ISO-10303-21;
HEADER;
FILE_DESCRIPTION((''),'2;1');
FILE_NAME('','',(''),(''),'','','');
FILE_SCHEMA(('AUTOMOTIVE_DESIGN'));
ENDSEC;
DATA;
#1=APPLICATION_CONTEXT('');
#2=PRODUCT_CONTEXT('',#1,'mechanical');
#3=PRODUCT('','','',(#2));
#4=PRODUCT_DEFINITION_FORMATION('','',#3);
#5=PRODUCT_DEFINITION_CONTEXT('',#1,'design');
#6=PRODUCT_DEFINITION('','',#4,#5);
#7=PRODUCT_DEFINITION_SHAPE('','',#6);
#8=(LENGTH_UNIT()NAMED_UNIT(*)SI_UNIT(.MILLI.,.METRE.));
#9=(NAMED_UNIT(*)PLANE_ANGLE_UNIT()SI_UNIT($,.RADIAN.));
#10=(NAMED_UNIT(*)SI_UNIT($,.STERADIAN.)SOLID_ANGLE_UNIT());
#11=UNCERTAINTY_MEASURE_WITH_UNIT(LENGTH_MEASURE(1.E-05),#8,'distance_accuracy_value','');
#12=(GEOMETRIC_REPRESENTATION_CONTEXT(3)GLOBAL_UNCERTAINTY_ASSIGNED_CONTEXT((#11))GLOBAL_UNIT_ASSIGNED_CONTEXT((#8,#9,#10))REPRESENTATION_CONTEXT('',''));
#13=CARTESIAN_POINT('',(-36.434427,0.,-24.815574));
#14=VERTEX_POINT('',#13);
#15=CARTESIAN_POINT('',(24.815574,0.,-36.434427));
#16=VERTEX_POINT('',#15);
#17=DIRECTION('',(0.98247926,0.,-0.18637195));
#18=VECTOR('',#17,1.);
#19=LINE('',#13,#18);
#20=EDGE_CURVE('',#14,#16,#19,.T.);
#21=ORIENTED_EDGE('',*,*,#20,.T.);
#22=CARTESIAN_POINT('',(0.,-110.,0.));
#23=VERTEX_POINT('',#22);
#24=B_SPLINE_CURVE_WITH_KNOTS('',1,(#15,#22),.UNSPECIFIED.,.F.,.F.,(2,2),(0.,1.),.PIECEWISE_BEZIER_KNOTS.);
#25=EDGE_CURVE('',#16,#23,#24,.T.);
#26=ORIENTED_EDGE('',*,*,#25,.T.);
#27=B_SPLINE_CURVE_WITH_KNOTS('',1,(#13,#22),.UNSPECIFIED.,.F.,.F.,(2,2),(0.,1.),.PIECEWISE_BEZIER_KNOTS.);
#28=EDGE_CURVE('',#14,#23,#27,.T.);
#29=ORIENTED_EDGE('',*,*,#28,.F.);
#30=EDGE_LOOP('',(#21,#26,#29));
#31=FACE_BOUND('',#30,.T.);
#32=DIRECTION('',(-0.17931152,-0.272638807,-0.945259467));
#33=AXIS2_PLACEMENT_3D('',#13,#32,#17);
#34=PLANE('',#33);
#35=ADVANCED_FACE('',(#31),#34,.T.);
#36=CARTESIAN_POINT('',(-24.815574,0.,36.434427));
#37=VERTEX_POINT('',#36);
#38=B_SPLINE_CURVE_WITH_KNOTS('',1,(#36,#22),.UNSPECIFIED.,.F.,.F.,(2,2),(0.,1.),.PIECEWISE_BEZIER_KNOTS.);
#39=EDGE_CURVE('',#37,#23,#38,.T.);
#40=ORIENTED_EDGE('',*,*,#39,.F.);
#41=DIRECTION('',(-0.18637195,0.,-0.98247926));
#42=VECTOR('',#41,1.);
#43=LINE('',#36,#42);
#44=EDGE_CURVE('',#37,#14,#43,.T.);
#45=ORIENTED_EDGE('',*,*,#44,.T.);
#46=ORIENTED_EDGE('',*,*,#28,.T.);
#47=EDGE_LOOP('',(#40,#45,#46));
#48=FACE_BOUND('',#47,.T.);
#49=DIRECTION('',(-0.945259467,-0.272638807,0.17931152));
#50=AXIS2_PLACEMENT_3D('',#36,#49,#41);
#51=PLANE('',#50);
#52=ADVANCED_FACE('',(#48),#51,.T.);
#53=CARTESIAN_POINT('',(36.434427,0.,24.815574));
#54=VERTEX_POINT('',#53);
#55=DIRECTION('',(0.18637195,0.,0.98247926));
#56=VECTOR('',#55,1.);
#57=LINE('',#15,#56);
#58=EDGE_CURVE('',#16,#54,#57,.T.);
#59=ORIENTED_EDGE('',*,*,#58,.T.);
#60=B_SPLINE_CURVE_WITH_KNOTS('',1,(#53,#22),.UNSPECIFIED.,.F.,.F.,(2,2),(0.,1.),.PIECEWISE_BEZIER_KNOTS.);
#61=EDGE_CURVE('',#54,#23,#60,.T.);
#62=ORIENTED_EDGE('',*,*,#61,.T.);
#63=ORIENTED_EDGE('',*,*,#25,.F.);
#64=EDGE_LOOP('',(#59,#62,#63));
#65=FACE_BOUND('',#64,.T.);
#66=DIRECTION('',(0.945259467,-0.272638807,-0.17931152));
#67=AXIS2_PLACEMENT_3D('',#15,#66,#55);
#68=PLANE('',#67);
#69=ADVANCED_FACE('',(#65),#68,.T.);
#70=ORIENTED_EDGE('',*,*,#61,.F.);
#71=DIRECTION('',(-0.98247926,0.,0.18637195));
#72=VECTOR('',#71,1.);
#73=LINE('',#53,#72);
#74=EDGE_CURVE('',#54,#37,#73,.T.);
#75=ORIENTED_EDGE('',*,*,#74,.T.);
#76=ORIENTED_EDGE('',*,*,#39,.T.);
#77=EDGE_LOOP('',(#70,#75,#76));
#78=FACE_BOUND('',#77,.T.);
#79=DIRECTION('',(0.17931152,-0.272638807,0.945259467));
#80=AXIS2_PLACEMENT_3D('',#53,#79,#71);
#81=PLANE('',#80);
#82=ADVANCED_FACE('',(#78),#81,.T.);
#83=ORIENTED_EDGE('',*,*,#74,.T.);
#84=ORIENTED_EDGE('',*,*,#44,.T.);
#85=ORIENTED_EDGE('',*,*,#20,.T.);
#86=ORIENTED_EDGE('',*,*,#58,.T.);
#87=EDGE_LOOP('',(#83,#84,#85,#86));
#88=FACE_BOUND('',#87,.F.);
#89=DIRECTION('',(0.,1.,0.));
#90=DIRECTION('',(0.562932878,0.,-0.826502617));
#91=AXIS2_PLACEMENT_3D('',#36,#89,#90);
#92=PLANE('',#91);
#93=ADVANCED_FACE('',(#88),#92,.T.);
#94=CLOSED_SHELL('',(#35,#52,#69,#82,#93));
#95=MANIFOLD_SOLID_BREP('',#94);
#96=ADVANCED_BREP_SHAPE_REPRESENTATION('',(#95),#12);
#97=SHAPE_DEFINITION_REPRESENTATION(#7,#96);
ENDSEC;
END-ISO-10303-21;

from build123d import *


with BuildPart() as f3:
    # F0 (on Front) → F3 section 0
    with BuildSketch(Plane.XZ, mode=Mode.PRIVATE) as f3_s0:
        Polygon((-24.815574, 36.434427), (-36.434427, -24.815574), (24.815574, -36.434427), (36.434427, 24.815574), align=None)
    loft([f3_s0.sketch, Vertex(0, -110, 0)])


solid = f3.part
